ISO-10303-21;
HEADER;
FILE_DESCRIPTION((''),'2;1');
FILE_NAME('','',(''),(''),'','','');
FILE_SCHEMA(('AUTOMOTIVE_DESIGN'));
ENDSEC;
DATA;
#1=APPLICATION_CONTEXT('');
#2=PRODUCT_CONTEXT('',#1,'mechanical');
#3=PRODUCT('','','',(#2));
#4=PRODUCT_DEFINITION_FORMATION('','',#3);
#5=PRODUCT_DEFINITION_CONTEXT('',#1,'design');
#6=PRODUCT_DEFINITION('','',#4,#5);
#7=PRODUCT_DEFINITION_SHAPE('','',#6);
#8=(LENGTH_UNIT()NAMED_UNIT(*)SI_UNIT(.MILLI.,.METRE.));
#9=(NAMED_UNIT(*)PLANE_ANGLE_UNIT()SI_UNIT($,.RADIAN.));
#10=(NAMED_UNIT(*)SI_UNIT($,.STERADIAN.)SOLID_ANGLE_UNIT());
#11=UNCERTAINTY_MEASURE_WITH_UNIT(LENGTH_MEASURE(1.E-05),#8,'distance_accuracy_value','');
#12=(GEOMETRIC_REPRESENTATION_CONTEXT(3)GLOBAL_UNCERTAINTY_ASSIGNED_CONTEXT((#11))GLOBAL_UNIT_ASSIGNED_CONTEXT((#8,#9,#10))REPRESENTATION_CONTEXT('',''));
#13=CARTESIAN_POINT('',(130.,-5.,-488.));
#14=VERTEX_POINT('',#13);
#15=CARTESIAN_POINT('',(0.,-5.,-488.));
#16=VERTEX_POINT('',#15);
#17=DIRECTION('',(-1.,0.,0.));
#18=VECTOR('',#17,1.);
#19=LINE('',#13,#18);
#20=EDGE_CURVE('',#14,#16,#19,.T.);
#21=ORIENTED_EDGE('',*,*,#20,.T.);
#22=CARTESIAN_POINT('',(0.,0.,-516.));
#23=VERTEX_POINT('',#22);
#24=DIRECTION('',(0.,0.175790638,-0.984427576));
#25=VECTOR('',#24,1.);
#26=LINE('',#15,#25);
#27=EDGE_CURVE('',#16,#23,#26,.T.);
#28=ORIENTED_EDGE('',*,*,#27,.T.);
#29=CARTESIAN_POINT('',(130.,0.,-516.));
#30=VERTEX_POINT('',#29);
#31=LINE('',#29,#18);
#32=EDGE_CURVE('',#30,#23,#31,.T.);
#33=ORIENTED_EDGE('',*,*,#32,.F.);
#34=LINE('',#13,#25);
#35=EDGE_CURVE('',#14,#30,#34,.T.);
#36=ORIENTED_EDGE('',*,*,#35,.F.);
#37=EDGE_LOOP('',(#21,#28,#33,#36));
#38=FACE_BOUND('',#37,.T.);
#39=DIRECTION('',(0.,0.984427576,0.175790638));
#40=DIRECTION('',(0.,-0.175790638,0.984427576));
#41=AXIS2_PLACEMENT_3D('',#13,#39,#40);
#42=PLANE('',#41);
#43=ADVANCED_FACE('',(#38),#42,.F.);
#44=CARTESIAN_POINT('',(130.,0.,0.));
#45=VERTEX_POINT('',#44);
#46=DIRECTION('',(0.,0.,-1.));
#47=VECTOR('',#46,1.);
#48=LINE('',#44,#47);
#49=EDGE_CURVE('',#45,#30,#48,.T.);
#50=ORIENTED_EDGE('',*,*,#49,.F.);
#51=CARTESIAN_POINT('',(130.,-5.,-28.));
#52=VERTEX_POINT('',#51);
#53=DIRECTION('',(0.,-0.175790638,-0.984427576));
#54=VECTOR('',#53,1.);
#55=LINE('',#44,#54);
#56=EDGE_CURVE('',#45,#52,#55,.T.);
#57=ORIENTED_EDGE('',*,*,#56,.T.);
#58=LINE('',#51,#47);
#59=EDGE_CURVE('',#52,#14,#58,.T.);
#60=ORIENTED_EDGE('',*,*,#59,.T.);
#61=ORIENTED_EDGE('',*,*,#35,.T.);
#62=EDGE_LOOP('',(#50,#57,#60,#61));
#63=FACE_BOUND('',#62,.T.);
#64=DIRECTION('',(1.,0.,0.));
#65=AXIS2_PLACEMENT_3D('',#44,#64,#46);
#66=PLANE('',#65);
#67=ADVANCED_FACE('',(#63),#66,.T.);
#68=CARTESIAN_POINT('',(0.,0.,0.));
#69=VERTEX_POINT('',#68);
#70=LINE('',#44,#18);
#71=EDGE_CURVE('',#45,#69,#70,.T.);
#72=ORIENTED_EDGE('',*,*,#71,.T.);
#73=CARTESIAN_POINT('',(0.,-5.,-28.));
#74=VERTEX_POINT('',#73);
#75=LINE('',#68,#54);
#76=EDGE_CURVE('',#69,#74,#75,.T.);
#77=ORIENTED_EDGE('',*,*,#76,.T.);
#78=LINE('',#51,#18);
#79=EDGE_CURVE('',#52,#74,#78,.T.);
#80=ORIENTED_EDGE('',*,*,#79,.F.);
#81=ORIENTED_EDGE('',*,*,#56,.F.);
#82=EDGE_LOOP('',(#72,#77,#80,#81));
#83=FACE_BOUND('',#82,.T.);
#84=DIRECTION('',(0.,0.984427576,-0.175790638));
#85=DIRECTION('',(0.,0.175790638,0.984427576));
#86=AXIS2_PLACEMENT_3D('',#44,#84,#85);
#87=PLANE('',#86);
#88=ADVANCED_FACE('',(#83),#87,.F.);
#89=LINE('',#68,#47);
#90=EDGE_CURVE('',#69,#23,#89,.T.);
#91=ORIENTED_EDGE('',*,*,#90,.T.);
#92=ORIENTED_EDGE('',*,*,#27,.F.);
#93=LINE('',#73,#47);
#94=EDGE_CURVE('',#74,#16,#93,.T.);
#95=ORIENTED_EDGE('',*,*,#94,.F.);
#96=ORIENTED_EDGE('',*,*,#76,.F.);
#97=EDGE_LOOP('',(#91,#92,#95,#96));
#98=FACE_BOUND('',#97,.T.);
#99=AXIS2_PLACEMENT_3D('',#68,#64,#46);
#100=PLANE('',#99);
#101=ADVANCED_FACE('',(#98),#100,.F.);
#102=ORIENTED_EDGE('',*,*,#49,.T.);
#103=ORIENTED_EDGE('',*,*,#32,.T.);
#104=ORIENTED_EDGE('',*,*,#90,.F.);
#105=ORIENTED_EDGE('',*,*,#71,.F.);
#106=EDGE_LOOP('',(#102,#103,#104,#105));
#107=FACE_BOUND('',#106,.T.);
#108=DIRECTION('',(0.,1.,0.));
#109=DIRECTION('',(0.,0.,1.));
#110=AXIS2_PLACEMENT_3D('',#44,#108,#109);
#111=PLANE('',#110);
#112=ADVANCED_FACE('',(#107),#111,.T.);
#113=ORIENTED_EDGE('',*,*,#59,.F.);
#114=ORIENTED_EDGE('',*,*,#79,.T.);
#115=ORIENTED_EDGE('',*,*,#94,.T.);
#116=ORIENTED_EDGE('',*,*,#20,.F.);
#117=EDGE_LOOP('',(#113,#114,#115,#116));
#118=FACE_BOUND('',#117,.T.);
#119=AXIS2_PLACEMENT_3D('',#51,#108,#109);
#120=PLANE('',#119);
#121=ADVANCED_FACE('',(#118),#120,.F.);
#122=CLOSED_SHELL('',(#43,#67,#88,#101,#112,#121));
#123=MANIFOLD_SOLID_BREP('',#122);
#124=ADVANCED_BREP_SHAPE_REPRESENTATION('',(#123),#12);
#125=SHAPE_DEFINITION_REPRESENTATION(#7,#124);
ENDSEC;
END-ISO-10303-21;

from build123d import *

# Parameters (mm, degrees)
BOSS_EXTRUDE1_DEPTH = 130


with BuildPart() as part:
    # Sketch1 → Boss-Extrude1 (new body)
    with BuildSketch(Plane(origin=(0, 0, 0), x_dir=(0, 0, -1), z_dir=(1, 0, 0))):
        Polygon((28, -5), (488, -5), (516, 0), (0, 0), align=None)
    extrude(amount=BOSS_EXTRUDE1_DEPTH)


solid = part.part
